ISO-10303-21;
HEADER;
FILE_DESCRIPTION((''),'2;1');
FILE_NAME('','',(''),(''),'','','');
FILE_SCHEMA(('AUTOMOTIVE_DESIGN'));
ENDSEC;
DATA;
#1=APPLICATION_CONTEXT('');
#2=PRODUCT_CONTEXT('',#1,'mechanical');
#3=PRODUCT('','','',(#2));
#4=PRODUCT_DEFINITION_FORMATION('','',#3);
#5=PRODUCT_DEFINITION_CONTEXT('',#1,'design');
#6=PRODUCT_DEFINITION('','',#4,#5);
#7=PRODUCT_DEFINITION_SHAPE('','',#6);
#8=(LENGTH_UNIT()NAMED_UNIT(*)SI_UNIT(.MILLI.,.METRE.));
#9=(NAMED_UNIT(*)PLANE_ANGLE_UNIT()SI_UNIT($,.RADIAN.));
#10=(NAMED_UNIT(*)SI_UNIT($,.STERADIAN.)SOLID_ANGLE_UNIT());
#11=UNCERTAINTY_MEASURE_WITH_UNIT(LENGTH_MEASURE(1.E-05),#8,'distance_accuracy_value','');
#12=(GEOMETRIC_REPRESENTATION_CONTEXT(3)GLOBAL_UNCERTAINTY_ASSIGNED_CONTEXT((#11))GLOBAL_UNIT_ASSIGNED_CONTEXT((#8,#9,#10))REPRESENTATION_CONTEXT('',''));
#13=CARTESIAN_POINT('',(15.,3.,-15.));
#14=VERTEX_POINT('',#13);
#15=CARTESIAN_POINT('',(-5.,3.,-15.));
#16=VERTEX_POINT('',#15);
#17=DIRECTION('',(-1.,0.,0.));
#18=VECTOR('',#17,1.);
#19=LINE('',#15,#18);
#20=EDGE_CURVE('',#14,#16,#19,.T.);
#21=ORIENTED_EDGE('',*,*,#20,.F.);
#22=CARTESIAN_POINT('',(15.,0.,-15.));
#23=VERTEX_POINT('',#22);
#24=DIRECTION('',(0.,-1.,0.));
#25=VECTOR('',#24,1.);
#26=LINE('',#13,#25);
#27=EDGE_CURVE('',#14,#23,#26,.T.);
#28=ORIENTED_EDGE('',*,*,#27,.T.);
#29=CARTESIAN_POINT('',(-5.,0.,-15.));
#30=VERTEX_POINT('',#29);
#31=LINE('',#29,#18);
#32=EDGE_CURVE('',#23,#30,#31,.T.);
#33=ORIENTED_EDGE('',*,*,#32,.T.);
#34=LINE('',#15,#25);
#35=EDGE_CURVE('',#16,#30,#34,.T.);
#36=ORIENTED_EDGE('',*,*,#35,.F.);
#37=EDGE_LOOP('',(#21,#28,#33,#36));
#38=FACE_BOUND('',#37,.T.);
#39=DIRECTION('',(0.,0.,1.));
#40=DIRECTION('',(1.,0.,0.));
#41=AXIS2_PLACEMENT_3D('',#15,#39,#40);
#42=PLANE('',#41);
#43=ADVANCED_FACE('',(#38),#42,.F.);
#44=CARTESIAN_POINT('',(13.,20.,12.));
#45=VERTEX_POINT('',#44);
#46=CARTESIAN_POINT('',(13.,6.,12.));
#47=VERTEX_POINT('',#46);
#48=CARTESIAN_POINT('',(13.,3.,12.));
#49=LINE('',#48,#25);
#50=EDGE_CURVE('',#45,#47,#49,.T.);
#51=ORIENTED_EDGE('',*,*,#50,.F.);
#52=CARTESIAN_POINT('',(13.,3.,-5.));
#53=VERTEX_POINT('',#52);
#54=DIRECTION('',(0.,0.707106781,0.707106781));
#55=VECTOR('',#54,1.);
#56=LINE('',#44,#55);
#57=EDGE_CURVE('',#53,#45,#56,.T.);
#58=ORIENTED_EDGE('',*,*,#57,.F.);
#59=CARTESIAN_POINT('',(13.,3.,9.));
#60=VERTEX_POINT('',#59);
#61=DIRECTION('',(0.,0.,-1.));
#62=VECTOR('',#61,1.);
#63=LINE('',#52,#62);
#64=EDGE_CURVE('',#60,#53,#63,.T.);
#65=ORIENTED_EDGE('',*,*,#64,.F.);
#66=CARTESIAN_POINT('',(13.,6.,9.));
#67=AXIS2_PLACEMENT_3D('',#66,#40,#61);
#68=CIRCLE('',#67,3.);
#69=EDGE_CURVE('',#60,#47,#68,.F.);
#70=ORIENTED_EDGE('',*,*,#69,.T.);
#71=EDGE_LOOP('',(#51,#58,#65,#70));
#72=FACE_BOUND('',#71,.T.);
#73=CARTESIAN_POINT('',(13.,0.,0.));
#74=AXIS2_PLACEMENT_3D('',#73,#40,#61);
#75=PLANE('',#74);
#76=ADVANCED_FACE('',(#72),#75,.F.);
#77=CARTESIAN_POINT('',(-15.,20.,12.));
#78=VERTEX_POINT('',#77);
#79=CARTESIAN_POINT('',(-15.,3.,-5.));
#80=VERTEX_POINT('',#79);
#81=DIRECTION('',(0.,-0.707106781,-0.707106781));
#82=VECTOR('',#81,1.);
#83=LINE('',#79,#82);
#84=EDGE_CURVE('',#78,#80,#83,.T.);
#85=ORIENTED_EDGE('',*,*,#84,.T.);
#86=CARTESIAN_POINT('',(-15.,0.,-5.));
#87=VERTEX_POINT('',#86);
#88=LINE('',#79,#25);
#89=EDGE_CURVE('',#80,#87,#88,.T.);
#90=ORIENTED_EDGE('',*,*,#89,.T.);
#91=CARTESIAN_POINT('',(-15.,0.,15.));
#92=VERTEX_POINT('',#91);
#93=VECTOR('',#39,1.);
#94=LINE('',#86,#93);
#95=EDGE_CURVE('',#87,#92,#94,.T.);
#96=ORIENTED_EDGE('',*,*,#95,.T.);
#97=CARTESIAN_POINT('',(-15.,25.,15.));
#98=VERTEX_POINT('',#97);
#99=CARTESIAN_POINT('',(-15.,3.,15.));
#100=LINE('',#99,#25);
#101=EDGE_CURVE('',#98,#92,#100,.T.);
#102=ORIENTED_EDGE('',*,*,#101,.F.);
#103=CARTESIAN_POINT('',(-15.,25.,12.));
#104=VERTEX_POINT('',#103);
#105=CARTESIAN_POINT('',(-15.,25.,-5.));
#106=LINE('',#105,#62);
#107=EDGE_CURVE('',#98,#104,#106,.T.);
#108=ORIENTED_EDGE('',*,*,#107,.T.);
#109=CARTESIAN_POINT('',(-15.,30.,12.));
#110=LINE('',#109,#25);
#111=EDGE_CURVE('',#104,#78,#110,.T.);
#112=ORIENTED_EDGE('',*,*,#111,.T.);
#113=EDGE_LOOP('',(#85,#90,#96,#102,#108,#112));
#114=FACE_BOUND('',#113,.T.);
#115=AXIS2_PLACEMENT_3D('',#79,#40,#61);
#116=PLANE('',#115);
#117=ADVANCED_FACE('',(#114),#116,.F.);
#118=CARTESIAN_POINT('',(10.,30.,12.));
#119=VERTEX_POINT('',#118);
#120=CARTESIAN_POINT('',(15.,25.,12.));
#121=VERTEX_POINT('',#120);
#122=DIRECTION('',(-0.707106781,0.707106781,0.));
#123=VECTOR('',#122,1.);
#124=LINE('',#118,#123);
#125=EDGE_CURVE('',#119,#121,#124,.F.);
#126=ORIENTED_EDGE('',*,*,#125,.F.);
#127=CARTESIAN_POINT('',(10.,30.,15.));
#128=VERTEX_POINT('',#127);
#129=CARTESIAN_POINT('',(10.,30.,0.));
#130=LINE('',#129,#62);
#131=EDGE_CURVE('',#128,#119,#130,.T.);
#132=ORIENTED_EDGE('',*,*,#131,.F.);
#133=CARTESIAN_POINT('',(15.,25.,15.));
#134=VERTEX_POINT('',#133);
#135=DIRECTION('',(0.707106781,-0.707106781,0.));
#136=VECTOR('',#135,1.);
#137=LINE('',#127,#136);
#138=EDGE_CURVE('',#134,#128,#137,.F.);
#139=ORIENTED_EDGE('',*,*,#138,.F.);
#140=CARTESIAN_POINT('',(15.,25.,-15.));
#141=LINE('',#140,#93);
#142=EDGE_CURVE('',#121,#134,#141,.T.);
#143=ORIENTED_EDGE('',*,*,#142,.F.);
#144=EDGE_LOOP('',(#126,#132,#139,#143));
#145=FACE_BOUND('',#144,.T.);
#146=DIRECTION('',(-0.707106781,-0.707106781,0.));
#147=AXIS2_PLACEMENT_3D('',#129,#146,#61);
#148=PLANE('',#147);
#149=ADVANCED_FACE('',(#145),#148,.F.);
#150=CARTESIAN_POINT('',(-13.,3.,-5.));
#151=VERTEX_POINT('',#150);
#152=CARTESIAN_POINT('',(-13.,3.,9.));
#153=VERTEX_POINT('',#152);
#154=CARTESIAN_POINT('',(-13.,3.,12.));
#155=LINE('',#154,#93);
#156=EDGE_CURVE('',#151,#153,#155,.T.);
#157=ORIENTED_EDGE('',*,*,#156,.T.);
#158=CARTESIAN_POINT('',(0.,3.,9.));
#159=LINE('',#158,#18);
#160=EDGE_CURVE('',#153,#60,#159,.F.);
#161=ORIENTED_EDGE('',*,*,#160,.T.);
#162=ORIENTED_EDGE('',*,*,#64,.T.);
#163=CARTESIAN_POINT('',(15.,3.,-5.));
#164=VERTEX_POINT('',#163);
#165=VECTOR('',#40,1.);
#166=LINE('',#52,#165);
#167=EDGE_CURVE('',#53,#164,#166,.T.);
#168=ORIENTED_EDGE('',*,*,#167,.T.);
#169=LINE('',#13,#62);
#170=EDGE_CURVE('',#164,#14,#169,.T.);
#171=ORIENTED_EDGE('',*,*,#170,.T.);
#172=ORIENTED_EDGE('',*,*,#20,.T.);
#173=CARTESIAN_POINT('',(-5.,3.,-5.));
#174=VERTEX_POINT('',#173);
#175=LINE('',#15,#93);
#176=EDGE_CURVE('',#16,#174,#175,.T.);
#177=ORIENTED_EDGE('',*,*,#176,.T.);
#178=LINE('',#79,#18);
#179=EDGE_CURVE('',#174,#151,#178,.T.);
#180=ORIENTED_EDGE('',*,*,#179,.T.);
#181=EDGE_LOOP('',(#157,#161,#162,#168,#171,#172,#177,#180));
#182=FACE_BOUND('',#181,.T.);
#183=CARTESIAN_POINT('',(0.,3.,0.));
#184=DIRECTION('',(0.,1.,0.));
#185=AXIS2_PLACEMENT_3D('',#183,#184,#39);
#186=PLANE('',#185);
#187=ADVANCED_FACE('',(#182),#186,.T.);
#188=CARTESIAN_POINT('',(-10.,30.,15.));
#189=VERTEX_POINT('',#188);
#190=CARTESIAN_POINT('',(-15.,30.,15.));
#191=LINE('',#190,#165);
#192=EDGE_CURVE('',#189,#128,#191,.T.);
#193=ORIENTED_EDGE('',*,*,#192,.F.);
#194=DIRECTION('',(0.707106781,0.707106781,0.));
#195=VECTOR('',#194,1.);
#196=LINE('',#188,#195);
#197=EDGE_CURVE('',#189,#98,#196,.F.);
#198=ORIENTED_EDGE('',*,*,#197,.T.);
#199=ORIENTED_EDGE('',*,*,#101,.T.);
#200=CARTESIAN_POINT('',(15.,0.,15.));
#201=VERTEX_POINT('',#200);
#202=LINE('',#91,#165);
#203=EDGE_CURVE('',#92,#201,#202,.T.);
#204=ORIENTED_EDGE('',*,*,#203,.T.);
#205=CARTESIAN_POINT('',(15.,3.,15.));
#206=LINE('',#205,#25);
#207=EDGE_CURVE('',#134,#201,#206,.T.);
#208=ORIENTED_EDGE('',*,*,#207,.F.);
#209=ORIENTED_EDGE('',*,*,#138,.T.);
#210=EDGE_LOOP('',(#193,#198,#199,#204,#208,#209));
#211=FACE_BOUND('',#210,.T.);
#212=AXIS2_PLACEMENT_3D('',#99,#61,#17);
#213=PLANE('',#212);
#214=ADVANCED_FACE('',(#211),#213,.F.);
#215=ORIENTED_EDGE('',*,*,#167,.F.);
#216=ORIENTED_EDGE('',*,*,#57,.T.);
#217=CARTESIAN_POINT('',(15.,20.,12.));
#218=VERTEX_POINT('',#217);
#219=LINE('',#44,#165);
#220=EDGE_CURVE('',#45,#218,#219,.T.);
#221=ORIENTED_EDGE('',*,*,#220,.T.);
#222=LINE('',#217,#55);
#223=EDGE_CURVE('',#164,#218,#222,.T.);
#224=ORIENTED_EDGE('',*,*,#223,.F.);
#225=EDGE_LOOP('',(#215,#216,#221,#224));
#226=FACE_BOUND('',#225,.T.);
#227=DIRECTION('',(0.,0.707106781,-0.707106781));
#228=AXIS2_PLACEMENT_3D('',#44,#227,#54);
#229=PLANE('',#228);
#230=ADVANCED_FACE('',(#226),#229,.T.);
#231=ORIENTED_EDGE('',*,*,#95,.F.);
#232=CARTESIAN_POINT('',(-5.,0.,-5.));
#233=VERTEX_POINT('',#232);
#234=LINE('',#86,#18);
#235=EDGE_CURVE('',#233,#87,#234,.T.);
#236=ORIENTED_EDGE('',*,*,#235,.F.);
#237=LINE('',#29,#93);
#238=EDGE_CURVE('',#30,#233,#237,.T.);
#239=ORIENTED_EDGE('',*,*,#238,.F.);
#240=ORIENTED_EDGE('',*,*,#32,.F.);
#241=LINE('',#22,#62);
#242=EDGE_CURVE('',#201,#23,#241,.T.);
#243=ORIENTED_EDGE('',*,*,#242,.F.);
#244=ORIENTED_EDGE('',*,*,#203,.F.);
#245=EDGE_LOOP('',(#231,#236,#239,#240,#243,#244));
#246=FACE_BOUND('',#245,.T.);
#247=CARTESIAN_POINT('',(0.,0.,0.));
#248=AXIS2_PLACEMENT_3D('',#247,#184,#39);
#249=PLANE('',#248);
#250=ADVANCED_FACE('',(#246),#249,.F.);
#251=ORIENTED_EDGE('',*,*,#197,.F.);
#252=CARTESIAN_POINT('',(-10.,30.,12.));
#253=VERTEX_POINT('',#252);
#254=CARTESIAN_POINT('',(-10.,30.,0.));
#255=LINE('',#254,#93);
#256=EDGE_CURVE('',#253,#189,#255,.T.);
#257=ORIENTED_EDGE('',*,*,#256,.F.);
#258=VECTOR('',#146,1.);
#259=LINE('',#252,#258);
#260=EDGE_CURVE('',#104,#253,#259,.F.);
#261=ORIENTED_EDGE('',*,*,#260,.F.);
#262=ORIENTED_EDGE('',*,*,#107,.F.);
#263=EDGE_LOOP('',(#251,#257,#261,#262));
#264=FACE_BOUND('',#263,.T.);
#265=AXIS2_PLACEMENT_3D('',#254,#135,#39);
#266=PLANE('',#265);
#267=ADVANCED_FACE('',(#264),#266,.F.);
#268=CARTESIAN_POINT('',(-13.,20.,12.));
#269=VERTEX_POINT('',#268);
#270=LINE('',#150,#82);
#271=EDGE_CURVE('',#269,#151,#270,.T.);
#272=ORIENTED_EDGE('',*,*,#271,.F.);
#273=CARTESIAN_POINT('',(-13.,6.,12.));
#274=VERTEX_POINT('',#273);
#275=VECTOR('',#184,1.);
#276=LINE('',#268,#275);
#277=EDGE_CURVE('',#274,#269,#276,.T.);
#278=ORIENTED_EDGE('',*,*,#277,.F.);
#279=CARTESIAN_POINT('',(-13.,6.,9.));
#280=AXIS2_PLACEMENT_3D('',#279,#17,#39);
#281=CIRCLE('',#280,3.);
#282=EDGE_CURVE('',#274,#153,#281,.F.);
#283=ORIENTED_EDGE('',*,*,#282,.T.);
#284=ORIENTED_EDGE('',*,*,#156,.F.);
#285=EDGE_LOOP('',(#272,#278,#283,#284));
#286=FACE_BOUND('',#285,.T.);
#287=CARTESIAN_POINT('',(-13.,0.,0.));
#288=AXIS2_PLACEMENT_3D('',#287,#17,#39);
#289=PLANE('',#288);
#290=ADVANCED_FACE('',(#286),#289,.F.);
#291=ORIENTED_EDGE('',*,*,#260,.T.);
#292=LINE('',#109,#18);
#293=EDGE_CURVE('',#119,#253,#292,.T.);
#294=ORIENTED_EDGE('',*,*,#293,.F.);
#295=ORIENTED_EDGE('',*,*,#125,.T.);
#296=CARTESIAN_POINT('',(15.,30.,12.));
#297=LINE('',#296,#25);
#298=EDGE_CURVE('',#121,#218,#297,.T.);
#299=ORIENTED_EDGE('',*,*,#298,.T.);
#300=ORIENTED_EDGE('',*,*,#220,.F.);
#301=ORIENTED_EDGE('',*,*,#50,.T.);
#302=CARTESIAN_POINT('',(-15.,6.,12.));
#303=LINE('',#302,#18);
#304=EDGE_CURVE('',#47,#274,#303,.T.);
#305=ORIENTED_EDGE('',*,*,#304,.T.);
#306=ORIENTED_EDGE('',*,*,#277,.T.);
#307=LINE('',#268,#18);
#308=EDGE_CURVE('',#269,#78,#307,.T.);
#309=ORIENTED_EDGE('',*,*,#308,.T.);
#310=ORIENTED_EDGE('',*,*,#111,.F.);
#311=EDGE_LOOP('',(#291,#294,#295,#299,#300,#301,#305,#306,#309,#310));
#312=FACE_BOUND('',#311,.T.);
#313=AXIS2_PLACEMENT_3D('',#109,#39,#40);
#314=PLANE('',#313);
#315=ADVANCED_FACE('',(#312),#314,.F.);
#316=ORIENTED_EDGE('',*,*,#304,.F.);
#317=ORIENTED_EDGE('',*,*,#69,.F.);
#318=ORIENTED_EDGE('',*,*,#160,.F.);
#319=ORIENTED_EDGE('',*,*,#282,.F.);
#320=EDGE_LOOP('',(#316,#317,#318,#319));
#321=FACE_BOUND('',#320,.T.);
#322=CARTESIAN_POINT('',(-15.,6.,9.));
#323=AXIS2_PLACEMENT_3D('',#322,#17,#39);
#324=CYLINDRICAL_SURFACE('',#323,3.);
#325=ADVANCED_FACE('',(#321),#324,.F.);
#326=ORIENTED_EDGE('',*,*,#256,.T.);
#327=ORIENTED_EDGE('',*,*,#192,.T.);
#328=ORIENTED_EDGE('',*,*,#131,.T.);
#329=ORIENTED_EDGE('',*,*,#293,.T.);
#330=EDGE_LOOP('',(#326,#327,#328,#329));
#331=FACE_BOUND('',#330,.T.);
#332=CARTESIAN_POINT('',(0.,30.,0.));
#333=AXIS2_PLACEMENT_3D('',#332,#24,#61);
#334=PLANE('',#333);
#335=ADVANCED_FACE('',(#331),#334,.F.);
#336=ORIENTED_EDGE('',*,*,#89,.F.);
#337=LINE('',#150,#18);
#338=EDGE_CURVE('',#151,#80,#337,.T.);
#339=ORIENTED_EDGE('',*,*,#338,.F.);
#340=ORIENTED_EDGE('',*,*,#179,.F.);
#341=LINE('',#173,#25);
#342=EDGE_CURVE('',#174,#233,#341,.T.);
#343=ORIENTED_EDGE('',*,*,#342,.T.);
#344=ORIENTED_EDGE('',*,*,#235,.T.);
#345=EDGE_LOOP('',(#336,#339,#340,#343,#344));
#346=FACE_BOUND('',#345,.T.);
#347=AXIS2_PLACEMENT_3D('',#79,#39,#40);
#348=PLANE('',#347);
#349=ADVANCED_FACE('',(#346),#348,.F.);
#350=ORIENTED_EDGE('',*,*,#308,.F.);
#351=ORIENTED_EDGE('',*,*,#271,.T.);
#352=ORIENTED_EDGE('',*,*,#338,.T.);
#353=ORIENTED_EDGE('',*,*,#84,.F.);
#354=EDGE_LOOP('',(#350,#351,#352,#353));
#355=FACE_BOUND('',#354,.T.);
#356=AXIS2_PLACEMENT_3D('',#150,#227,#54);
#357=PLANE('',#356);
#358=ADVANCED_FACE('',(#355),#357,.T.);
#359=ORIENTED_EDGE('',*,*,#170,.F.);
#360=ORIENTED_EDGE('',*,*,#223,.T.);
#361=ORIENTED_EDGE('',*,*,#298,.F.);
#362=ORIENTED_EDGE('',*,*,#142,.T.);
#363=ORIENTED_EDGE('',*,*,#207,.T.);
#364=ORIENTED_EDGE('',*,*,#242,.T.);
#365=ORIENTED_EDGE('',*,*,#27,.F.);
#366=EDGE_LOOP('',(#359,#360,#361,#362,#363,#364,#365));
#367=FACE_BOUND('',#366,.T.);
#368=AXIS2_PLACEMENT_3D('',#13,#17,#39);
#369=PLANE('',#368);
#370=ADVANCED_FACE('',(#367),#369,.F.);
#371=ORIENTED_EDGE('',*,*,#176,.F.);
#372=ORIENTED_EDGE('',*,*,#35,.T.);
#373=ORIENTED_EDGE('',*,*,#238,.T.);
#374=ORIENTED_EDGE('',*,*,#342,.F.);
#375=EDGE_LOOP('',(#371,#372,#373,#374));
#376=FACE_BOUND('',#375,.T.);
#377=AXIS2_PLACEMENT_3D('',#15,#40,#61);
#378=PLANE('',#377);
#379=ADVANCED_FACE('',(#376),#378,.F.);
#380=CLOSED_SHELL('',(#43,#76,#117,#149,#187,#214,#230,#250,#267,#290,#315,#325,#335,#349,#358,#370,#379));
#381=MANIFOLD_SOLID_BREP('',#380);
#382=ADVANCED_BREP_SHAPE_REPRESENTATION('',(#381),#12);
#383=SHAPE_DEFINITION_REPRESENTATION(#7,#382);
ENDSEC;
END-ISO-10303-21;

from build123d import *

# Parameters (mm, degrees)
BOSS_EXTRUDE1_DEPTH = 3
SKETCH2_W           = 30
SKETCH2_H           = 3
BOSS_EXTRUDE2_DEPTH = 27
BOSS_EXTRUDE3_DEPTH = 2
BOSS_EXTRUDE4_DEPTH = 2
CHAMFER1_SIZE       = 5
FILLET1_R           = 3


with BuildPart() as part:
    # Sketch1 → Boss-Extrude1 (new body)
    with BuildSketch(Plane(origin=(0, 0, 0), x_dir=(1, 0, 0), z_dir=(0, 1, 0))):
        Polygon((-5, 15), (15, 15), (15, -15), (-15, -15), (-15, 5), (-5, 5), align=None)
    extrude(amount=BOSS_EXTRUDE1_DEPTH)

    # Sketch2 → Boss-Extrude2 (add)
    with BuildSketch(Plane(origin=(0, 3, 0), x_dir=(1, 0, 0), z_dir=(0, 1, 0))):
        with Locations((0, -13.5)):
            Rectangle(SKETCH2_W, SKETCH2_H)
    extrude(amount=BOSS_EXTRUDE2_DEPTH)

    # Sketch3 → Boss-Extrude3 (add)
    with BuildSketch(Plane.ZY.offset(15)):
        Polygon((-5, 3), (12, 20), (12, 3), align=None)
    extrude(amount=-BOSS_EXTRUDE3_DEPTH)

    # Sketch4 → Boss-Extrude4 (add)
    with BuildSketch(Plane(origin=(15, 0, 0), x_dir=(0, 0, -1), z_dir=(1, 0, 0))):
        Polygon((-12, 20), (5, 3), (-12, 3), align=None)
    extrude(amount=-BOSS_EXTRUDE4_DEPTH)

    # Chamfer1
    chamfer1_edges = [part.edges().sort_by_distance(p)[0] for p in [
        (-15, 30, 13.5),
        (15, 30, 13.5),
    ]]
    chamfer(chamfer1_edges, length=CHAMFER1_SIZE)

    # Fillet1
    fillet1_edges = [part.edges().sort_by_distance(p)[0] for p in [
        (0, 3, 12),
    ]]
    fillet(fillet1_edges, radius=FILLET1_R)


solid = part.part
